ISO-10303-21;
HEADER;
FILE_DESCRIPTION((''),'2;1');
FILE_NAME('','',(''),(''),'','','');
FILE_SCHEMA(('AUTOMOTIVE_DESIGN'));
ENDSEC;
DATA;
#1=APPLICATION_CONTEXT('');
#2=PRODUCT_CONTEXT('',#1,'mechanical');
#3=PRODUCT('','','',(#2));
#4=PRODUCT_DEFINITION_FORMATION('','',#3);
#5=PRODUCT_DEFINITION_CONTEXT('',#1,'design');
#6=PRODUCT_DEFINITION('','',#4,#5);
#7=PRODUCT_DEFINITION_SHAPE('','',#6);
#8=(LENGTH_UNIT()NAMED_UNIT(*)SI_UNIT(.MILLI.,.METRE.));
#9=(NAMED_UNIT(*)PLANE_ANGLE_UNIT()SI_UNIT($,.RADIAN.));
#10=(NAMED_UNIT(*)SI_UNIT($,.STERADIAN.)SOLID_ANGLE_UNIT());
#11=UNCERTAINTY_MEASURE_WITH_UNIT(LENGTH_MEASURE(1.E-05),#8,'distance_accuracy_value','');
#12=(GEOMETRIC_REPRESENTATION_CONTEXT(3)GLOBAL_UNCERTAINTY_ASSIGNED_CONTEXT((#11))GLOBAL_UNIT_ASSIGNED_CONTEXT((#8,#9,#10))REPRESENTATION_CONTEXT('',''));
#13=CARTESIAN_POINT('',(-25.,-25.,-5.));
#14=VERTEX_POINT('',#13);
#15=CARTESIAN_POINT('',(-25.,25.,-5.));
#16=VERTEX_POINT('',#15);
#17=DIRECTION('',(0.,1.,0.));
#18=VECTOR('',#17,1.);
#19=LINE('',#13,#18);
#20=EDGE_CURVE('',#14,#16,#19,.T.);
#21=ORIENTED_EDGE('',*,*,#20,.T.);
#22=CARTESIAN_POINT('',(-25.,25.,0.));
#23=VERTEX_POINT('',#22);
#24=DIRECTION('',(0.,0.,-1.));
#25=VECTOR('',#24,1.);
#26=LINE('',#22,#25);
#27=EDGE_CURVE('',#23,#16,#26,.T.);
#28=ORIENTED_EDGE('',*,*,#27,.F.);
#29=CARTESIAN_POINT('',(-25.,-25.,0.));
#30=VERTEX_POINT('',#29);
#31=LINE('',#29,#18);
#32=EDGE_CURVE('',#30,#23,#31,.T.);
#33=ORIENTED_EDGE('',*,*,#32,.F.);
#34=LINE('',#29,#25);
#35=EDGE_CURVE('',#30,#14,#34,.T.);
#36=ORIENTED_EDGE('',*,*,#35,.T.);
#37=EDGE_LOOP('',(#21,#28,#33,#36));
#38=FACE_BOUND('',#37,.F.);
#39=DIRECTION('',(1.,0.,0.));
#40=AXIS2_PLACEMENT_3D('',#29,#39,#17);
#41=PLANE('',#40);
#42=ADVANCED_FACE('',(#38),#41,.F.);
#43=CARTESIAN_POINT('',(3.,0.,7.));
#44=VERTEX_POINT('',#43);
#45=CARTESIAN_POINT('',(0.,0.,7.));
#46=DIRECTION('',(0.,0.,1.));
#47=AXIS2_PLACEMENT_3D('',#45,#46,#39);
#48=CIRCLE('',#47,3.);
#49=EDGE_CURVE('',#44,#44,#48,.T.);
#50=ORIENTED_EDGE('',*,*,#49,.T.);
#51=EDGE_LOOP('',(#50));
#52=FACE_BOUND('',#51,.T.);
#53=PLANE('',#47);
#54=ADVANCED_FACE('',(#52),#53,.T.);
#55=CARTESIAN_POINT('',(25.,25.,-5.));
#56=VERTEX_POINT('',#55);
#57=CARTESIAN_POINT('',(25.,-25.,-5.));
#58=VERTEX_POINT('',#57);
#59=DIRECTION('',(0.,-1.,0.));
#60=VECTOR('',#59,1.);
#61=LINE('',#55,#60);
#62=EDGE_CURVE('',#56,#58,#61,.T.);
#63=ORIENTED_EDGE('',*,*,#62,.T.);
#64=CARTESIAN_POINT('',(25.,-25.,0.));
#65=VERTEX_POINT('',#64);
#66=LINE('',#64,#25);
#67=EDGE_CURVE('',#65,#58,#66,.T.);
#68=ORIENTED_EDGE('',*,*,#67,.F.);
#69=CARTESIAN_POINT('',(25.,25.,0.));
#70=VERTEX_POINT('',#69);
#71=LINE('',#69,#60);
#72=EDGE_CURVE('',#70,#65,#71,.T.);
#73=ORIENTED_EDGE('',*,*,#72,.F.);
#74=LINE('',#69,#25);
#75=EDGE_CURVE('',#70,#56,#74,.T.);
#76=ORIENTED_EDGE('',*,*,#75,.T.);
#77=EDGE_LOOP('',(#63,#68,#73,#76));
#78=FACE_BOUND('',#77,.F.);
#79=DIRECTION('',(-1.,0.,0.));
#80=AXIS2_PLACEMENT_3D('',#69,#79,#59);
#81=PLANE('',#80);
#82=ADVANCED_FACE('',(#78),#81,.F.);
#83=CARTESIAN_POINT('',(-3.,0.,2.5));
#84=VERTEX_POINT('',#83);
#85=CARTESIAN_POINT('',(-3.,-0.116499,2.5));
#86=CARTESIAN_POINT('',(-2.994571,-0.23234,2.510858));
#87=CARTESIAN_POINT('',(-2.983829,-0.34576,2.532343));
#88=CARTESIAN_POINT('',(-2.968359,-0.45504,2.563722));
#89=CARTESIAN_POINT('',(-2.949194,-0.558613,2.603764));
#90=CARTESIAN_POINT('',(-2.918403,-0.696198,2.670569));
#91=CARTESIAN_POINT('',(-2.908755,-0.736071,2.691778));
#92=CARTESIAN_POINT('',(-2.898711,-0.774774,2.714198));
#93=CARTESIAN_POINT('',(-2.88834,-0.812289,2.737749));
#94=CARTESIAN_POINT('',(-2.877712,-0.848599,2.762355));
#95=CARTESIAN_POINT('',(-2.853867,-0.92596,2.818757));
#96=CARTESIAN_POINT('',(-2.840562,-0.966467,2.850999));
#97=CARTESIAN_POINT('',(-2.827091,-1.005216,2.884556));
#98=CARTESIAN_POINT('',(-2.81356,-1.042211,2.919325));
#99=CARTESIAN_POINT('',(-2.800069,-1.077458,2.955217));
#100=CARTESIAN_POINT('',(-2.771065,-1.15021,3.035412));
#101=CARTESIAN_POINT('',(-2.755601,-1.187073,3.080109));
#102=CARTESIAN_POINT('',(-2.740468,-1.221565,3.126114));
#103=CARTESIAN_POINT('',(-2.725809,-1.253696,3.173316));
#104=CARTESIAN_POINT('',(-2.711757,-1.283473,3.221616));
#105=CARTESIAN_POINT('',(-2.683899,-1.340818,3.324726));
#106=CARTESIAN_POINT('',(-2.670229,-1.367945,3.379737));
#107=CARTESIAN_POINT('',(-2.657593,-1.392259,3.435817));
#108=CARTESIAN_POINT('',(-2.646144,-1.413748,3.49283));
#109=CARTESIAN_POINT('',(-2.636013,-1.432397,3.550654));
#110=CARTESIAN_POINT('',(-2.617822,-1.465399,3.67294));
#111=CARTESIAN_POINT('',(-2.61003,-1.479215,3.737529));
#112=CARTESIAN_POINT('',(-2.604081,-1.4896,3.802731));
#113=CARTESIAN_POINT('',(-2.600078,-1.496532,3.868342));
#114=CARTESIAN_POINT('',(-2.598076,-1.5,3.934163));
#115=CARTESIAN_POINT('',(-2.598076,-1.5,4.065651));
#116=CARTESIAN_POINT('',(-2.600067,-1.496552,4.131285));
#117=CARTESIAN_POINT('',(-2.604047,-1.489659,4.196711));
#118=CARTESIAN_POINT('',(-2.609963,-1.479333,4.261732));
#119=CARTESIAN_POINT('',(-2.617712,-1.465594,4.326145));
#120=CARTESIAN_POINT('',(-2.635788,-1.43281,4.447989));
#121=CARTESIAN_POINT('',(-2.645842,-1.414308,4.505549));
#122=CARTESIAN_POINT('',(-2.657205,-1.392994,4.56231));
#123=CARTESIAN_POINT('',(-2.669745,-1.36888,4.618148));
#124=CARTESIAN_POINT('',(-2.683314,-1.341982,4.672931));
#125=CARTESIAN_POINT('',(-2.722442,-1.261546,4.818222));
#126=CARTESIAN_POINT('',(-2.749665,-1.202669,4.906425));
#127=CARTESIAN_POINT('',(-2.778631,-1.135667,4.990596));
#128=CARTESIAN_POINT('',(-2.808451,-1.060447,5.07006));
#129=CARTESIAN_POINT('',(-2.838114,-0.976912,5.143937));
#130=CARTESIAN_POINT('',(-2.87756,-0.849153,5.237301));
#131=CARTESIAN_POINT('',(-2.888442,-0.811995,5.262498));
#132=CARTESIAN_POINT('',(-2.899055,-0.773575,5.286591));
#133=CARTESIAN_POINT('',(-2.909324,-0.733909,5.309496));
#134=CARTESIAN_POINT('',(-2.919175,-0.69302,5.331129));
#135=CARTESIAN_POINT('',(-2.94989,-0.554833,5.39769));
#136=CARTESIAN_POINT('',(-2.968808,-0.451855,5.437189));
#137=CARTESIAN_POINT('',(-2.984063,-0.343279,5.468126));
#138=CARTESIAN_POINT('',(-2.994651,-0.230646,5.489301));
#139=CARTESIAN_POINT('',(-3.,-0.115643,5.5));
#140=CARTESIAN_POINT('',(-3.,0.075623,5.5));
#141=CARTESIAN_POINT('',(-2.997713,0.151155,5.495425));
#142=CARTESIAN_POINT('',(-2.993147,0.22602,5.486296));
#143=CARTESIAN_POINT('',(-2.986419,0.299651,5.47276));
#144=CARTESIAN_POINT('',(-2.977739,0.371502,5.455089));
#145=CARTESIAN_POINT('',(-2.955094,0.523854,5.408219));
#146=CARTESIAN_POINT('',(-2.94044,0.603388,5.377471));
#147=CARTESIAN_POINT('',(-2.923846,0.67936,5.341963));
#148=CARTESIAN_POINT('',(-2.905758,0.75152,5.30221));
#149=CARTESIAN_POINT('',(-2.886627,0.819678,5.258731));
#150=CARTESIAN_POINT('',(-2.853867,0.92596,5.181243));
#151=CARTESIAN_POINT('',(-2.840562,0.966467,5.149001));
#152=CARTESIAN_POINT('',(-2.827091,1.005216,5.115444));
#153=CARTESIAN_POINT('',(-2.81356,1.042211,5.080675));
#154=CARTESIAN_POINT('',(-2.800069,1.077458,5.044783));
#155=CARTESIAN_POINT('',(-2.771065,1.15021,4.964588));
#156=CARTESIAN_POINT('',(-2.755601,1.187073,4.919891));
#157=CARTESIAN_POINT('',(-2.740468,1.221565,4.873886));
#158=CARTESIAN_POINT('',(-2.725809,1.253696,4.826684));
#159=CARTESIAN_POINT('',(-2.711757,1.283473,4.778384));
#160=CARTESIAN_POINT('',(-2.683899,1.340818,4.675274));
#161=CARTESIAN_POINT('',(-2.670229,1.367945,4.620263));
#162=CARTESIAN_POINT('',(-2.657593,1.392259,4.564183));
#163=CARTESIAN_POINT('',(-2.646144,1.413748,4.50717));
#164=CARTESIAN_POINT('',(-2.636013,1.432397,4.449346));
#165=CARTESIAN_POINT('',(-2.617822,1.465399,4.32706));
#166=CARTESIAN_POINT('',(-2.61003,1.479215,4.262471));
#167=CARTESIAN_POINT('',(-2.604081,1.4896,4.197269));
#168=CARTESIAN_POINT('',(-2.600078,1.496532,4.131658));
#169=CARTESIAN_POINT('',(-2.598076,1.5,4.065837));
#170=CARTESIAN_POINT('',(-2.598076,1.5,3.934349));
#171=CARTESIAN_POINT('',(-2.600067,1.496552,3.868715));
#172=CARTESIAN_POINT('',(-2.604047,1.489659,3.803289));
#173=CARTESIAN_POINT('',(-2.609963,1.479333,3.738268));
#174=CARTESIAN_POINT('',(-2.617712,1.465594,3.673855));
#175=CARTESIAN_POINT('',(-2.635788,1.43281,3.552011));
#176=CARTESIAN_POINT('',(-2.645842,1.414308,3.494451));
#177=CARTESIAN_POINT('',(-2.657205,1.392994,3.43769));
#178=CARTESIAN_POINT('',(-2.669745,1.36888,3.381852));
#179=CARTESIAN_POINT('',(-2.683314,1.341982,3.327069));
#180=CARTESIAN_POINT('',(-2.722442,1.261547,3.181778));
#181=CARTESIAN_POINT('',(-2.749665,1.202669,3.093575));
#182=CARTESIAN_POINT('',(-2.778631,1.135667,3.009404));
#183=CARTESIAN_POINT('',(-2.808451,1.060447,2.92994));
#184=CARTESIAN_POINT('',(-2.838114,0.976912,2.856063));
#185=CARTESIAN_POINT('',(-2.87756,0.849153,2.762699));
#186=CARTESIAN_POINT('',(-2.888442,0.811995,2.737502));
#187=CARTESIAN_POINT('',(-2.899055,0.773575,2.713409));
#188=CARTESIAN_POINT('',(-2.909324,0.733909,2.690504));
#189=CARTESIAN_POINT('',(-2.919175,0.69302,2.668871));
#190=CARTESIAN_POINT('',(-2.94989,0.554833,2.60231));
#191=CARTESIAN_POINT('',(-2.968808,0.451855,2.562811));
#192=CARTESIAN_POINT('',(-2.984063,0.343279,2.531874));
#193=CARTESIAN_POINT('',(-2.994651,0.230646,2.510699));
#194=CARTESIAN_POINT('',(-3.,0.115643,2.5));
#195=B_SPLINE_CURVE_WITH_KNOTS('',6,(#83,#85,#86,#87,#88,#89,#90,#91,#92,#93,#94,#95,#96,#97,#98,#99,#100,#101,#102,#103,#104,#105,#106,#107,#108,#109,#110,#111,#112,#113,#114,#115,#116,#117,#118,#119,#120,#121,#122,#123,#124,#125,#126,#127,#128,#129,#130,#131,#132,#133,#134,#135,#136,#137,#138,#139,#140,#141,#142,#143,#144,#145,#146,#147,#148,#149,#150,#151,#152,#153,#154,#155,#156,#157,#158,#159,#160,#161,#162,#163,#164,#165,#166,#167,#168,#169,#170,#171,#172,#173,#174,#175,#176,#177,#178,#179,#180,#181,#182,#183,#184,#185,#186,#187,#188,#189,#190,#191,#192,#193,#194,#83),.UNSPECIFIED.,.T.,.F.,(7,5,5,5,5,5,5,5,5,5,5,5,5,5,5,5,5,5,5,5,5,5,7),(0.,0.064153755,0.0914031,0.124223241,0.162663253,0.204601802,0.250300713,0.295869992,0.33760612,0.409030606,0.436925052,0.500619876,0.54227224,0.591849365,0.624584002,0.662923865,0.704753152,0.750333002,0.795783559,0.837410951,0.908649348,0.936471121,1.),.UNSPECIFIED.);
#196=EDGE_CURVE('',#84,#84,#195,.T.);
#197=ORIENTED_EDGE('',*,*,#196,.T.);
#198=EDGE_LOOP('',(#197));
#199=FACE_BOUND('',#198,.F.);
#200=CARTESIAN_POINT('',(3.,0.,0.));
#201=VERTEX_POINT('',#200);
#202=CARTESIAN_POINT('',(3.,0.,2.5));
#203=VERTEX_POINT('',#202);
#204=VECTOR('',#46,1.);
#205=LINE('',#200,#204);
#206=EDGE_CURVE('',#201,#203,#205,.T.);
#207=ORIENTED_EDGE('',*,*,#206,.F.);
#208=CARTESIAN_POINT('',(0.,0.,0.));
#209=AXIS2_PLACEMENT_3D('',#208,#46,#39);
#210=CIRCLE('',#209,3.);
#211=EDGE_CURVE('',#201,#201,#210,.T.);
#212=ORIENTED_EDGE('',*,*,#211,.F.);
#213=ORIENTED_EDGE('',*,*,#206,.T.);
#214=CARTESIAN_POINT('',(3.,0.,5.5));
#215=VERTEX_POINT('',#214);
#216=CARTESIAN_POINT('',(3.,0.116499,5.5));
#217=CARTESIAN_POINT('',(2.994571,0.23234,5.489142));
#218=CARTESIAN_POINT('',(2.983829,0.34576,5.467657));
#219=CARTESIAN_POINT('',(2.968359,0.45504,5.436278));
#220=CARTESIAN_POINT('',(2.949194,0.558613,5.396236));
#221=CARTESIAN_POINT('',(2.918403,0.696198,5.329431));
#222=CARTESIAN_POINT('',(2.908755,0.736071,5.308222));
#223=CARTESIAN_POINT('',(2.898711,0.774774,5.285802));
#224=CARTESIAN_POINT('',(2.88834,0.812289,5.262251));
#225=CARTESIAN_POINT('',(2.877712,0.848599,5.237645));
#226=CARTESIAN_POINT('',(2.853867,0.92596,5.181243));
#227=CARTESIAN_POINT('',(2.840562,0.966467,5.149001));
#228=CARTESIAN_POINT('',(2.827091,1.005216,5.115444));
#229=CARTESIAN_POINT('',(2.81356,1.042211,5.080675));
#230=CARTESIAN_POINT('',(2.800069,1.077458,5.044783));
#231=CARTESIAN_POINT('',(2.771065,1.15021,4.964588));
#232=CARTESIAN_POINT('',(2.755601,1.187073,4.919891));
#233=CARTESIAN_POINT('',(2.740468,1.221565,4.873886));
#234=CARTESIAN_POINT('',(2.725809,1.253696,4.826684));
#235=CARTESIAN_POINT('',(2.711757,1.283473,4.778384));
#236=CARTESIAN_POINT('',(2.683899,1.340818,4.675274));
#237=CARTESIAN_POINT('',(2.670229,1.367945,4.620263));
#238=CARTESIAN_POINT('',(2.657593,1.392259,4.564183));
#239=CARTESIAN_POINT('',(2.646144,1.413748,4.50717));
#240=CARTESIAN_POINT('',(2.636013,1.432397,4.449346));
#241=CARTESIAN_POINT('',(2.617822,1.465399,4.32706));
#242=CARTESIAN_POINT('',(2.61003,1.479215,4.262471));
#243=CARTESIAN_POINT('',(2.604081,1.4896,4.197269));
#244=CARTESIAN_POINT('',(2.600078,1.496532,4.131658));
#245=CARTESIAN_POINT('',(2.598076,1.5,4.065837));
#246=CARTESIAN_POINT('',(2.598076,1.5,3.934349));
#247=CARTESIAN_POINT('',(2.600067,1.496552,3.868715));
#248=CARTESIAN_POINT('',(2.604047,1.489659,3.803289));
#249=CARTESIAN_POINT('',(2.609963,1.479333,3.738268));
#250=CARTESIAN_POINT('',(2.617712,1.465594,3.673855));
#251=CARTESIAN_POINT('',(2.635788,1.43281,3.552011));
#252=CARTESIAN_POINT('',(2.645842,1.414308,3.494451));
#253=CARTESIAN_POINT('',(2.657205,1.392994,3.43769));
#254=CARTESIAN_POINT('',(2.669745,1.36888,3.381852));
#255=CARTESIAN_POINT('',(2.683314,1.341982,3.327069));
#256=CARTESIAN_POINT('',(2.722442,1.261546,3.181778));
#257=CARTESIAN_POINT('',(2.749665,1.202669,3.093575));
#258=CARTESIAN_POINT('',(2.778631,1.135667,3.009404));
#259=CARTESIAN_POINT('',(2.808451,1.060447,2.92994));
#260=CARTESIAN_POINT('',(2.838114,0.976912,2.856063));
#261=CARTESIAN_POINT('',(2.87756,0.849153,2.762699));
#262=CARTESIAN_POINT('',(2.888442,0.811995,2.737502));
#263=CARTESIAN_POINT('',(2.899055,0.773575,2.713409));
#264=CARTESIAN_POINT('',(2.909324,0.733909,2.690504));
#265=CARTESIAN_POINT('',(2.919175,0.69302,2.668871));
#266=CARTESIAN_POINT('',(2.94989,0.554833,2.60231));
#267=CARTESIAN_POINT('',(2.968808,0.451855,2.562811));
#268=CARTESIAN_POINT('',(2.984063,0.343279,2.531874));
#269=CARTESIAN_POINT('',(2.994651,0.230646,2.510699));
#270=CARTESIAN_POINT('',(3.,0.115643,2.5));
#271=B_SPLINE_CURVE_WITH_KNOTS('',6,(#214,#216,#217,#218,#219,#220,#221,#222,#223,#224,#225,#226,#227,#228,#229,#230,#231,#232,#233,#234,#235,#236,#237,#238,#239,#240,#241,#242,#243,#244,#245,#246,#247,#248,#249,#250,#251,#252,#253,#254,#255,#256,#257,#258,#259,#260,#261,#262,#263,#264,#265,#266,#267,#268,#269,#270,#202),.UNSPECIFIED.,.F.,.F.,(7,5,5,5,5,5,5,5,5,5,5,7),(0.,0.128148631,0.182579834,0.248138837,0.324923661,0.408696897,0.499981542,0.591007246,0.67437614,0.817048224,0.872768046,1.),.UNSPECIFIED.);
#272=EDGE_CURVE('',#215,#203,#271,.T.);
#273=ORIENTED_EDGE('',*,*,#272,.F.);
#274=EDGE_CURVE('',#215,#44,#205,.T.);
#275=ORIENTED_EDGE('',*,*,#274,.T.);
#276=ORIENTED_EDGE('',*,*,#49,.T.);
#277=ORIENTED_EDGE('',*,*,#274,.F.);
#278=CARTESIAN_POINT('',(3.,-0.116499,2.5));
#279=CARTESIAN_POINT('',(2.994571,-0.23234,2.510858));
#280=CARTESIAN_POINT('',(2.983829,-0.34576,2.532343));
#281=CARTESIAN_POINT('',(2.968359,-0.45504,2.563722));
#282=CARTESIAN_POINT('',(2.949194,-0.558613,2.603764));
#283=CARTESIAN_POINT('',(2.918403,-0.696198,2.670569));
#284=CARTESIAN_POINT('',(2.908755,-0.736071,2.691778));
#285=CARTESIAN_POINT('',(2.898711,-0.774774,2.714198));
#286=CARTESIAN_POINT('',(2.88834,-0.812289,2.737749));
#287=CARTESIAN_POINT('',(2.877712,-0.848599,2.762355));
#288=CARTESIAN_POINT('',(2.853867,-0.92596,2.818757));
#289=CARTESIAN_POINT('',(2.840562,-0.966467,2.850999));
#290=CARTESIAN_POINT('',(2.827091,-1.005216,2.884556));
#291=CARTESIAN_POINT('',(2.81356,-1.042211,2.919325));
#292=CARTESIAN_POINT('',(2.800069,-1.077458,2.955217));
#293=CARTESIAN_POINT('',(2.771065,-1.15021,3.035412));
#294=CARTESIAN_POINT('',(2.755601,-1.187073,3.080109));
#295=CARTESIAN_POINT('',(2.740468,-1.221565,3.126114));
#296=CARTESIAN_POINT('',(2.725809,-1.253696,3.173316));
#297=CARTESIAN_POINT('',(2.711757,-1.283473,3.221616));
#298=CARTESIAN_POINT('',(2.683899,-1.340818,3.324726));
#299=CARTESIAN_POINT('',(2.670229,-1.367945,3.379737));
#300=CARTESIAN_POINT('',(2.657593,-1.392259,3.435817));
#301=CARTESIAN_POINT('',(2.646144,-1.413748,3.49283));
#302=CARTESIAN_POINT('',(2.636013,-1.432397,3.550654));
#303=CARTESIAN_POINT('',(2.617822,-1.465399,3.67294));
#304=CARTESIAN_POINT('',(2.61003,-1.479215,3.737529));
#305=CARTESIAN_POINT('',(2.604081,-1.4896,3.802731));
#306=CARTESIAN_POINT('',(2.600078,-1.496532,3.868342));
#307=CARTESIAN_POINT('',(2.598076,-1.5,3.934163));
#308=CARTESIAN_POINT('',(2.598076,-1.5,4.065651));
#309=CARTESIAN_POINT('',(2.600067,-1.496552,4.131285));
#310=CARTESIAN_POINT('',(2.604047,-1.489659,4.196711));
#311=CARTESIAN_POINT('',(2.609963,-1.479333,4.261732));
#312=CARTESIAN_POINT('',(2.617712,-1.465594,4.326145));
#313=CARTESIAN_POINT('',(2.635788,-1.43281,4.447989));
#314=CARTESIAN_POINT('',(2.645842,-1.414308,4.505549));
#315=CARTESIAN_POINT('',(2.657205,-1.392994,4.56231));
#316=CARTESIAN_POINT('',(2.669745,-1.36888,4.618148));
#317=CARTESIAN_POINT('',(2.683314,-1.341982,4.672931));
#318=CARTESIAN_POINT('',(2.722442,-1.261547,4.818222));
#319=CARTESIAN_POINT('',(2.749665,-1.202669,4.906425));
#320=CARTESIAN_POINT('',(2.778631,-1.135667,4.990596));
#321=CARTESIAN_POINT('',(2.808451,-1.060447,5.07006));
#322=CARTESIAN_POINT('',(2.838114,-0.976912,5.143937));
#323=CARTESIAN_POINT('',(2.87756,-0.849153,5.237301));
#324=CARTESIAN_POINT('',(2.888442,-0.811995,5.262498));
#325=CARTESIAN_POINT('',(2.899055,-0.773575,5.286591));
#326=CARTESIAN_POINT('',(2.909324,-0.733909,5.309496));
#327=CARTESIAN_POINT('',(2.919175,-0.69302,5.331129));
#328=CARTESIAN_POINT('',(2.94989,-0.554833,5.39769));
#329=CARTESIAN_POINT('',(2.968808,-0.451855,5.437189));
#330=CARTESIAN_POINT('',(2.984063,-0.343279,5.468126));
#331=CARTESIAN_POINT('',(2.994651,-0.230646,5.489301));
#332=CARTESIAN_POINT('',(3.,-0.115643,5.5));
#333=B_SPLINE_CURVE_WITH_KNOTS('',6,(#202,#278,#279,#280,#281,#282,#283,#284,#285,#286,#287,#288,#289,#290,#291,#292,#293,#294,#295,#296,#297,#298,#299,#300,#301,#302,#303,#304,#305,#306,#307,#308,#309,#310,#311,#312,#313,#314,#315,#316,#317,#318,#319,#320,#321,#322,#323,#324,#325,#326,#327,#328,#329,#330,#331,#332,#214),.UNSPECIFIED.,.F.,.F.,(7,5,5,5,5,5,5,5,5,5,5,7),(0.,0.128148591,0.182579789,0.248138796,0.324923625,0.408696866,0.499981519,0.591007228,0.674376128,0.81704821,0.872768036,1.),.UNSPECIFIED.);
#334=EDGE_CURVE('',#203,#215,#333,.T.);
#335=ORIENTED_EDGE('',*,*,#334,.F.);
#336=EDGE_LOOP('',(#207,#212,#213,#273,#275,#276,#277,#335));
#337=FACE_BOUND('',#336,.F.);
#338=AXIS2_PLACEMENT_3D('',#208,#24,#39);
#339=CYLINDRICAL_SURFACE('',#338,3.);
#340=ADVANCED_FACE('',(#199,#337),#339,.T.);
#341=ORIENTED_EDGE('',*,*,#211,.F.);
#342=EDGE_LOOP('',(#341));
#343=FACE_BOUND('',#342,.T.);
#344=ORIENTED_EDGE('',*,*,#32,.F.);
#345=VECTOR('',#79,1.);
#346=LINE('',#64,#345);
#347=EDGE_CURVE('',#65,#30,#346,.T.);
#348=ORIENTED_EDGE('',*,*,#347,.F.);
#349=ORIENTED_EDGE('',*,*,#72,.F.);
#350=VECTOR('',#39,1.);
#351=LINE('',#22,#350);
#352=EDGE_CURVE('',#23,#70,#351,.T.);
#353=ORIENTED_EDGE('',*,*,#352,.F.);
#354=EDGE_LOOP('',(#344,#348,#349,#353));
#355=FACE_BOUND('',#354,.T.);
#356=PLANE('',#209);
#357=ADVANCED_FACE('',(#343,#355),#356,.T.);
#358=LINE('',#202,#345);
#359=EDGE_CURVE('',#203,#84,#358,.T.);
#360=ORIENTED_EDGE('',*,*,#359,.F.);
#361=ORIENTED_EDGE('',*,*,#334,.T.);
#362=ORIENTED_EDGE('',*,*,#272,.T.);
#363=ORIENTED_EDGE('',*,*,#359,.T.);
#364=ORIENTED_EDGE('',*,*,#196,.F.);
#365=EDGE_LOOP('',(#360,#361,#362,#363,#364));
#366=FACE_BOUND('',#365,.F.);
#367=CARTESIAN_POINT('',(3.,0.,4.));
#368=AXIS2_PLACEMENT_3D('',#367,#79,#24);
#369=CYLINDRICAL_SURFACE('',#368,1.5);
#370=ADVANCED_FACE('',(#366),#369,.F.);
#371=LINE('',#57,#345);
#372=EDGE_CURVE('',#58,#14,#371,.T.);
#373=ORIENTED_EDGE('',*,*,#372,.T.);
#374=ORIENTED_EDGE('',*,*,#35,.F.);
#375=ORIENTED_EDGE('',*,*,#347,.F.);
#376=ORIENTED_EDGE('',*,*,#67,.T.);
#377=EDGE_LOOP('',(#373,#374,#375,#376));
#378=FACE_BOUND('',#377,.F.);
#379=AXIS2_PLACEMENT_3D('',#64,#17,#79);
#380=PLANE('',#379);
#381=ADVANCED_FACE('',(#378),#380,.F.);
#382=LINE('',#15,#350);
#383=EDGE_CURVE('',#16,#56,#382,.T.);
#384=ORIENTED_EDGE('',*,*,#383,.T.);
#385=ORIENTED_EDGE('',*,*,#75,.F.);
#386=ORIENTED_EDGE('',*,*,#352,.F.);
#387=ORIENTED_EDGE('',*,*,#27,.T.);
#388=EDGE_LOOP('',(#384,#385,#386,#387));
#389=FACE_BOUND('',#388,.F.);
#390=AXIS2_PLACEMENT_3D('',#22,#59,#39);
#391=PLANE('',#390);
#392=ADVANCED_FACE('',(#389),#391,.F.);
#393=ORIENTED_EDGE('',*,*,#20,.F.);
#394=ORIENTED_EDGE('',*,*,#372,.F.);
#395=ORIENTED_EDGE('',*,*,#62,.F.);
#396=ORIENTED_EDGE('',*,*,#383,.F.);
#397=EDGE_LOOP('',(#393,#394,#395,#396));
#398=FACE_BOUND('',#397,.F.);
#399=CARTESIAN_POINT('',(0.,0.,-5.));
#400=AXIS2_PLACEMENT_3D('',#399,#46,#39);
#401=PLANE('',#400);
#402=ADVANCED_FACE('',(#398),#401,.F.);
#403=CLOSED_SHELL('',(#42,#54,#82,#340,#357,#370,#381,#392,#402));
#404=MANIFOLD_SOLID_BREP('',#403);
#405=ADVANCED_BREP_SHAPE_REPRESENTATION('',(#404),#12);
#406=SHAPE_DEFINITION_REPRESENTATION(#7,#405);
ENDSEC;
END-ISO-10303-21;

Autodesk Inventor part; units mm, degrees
ref_plane "XZ Plane" through (0, 0, 0) normal (0, 1, 0) x (-1, 0, 0)
ref_plane "XY Plane" through (0, 0, 0) normal (0, 0, 1) x (1, 0, 0)
sketch "Sketch1" plane through (0, 0, 0) normal (0, 0, 1) x (1, 0, 0)
  line L0 (-25, 25) -> (25, 25)
  line L1 (25, 25) -> (25, -25)
  line L2 (25, -25) -> (-25, -25)
  line L3 (-25, -25) -> (-25, 25)
  point P0 (0, 0)
  point P1 (0, 25)
  dimension "d0" = 50
  dimension "d1" = 50
  dimension "d2" = 25
  dimension "d3" = 25
extrude "Extrusion1" add sketch "Sketch1" against normal blind 5
sketch "Sketch2" plane through (0, 0, 0) normal (0, 0, 1) x (1, 0, 0)
  circle A0 centre (0, 0) radius 3
  dimension "d6" = 6
extrude "Extrusion2" add sketch "Sketch2" along normal blind 7
ref_plane "Work Plane1" through (3, 0, 0) normal (1, 0, 0) x (0, 1, 0)
sketch "Sketch3" plane through (3, 0, 0) normal (1, 0, 0) x (0, 1, 0)
  point P0 (0, 0)
  point P1 (0, 4)
  dimension "d9" = 4
hole "Hole1" at (3, 0, 4) direction (-1, 0, 0) diameter 3 end through all
properties part number "Sampleholder1Thick"
